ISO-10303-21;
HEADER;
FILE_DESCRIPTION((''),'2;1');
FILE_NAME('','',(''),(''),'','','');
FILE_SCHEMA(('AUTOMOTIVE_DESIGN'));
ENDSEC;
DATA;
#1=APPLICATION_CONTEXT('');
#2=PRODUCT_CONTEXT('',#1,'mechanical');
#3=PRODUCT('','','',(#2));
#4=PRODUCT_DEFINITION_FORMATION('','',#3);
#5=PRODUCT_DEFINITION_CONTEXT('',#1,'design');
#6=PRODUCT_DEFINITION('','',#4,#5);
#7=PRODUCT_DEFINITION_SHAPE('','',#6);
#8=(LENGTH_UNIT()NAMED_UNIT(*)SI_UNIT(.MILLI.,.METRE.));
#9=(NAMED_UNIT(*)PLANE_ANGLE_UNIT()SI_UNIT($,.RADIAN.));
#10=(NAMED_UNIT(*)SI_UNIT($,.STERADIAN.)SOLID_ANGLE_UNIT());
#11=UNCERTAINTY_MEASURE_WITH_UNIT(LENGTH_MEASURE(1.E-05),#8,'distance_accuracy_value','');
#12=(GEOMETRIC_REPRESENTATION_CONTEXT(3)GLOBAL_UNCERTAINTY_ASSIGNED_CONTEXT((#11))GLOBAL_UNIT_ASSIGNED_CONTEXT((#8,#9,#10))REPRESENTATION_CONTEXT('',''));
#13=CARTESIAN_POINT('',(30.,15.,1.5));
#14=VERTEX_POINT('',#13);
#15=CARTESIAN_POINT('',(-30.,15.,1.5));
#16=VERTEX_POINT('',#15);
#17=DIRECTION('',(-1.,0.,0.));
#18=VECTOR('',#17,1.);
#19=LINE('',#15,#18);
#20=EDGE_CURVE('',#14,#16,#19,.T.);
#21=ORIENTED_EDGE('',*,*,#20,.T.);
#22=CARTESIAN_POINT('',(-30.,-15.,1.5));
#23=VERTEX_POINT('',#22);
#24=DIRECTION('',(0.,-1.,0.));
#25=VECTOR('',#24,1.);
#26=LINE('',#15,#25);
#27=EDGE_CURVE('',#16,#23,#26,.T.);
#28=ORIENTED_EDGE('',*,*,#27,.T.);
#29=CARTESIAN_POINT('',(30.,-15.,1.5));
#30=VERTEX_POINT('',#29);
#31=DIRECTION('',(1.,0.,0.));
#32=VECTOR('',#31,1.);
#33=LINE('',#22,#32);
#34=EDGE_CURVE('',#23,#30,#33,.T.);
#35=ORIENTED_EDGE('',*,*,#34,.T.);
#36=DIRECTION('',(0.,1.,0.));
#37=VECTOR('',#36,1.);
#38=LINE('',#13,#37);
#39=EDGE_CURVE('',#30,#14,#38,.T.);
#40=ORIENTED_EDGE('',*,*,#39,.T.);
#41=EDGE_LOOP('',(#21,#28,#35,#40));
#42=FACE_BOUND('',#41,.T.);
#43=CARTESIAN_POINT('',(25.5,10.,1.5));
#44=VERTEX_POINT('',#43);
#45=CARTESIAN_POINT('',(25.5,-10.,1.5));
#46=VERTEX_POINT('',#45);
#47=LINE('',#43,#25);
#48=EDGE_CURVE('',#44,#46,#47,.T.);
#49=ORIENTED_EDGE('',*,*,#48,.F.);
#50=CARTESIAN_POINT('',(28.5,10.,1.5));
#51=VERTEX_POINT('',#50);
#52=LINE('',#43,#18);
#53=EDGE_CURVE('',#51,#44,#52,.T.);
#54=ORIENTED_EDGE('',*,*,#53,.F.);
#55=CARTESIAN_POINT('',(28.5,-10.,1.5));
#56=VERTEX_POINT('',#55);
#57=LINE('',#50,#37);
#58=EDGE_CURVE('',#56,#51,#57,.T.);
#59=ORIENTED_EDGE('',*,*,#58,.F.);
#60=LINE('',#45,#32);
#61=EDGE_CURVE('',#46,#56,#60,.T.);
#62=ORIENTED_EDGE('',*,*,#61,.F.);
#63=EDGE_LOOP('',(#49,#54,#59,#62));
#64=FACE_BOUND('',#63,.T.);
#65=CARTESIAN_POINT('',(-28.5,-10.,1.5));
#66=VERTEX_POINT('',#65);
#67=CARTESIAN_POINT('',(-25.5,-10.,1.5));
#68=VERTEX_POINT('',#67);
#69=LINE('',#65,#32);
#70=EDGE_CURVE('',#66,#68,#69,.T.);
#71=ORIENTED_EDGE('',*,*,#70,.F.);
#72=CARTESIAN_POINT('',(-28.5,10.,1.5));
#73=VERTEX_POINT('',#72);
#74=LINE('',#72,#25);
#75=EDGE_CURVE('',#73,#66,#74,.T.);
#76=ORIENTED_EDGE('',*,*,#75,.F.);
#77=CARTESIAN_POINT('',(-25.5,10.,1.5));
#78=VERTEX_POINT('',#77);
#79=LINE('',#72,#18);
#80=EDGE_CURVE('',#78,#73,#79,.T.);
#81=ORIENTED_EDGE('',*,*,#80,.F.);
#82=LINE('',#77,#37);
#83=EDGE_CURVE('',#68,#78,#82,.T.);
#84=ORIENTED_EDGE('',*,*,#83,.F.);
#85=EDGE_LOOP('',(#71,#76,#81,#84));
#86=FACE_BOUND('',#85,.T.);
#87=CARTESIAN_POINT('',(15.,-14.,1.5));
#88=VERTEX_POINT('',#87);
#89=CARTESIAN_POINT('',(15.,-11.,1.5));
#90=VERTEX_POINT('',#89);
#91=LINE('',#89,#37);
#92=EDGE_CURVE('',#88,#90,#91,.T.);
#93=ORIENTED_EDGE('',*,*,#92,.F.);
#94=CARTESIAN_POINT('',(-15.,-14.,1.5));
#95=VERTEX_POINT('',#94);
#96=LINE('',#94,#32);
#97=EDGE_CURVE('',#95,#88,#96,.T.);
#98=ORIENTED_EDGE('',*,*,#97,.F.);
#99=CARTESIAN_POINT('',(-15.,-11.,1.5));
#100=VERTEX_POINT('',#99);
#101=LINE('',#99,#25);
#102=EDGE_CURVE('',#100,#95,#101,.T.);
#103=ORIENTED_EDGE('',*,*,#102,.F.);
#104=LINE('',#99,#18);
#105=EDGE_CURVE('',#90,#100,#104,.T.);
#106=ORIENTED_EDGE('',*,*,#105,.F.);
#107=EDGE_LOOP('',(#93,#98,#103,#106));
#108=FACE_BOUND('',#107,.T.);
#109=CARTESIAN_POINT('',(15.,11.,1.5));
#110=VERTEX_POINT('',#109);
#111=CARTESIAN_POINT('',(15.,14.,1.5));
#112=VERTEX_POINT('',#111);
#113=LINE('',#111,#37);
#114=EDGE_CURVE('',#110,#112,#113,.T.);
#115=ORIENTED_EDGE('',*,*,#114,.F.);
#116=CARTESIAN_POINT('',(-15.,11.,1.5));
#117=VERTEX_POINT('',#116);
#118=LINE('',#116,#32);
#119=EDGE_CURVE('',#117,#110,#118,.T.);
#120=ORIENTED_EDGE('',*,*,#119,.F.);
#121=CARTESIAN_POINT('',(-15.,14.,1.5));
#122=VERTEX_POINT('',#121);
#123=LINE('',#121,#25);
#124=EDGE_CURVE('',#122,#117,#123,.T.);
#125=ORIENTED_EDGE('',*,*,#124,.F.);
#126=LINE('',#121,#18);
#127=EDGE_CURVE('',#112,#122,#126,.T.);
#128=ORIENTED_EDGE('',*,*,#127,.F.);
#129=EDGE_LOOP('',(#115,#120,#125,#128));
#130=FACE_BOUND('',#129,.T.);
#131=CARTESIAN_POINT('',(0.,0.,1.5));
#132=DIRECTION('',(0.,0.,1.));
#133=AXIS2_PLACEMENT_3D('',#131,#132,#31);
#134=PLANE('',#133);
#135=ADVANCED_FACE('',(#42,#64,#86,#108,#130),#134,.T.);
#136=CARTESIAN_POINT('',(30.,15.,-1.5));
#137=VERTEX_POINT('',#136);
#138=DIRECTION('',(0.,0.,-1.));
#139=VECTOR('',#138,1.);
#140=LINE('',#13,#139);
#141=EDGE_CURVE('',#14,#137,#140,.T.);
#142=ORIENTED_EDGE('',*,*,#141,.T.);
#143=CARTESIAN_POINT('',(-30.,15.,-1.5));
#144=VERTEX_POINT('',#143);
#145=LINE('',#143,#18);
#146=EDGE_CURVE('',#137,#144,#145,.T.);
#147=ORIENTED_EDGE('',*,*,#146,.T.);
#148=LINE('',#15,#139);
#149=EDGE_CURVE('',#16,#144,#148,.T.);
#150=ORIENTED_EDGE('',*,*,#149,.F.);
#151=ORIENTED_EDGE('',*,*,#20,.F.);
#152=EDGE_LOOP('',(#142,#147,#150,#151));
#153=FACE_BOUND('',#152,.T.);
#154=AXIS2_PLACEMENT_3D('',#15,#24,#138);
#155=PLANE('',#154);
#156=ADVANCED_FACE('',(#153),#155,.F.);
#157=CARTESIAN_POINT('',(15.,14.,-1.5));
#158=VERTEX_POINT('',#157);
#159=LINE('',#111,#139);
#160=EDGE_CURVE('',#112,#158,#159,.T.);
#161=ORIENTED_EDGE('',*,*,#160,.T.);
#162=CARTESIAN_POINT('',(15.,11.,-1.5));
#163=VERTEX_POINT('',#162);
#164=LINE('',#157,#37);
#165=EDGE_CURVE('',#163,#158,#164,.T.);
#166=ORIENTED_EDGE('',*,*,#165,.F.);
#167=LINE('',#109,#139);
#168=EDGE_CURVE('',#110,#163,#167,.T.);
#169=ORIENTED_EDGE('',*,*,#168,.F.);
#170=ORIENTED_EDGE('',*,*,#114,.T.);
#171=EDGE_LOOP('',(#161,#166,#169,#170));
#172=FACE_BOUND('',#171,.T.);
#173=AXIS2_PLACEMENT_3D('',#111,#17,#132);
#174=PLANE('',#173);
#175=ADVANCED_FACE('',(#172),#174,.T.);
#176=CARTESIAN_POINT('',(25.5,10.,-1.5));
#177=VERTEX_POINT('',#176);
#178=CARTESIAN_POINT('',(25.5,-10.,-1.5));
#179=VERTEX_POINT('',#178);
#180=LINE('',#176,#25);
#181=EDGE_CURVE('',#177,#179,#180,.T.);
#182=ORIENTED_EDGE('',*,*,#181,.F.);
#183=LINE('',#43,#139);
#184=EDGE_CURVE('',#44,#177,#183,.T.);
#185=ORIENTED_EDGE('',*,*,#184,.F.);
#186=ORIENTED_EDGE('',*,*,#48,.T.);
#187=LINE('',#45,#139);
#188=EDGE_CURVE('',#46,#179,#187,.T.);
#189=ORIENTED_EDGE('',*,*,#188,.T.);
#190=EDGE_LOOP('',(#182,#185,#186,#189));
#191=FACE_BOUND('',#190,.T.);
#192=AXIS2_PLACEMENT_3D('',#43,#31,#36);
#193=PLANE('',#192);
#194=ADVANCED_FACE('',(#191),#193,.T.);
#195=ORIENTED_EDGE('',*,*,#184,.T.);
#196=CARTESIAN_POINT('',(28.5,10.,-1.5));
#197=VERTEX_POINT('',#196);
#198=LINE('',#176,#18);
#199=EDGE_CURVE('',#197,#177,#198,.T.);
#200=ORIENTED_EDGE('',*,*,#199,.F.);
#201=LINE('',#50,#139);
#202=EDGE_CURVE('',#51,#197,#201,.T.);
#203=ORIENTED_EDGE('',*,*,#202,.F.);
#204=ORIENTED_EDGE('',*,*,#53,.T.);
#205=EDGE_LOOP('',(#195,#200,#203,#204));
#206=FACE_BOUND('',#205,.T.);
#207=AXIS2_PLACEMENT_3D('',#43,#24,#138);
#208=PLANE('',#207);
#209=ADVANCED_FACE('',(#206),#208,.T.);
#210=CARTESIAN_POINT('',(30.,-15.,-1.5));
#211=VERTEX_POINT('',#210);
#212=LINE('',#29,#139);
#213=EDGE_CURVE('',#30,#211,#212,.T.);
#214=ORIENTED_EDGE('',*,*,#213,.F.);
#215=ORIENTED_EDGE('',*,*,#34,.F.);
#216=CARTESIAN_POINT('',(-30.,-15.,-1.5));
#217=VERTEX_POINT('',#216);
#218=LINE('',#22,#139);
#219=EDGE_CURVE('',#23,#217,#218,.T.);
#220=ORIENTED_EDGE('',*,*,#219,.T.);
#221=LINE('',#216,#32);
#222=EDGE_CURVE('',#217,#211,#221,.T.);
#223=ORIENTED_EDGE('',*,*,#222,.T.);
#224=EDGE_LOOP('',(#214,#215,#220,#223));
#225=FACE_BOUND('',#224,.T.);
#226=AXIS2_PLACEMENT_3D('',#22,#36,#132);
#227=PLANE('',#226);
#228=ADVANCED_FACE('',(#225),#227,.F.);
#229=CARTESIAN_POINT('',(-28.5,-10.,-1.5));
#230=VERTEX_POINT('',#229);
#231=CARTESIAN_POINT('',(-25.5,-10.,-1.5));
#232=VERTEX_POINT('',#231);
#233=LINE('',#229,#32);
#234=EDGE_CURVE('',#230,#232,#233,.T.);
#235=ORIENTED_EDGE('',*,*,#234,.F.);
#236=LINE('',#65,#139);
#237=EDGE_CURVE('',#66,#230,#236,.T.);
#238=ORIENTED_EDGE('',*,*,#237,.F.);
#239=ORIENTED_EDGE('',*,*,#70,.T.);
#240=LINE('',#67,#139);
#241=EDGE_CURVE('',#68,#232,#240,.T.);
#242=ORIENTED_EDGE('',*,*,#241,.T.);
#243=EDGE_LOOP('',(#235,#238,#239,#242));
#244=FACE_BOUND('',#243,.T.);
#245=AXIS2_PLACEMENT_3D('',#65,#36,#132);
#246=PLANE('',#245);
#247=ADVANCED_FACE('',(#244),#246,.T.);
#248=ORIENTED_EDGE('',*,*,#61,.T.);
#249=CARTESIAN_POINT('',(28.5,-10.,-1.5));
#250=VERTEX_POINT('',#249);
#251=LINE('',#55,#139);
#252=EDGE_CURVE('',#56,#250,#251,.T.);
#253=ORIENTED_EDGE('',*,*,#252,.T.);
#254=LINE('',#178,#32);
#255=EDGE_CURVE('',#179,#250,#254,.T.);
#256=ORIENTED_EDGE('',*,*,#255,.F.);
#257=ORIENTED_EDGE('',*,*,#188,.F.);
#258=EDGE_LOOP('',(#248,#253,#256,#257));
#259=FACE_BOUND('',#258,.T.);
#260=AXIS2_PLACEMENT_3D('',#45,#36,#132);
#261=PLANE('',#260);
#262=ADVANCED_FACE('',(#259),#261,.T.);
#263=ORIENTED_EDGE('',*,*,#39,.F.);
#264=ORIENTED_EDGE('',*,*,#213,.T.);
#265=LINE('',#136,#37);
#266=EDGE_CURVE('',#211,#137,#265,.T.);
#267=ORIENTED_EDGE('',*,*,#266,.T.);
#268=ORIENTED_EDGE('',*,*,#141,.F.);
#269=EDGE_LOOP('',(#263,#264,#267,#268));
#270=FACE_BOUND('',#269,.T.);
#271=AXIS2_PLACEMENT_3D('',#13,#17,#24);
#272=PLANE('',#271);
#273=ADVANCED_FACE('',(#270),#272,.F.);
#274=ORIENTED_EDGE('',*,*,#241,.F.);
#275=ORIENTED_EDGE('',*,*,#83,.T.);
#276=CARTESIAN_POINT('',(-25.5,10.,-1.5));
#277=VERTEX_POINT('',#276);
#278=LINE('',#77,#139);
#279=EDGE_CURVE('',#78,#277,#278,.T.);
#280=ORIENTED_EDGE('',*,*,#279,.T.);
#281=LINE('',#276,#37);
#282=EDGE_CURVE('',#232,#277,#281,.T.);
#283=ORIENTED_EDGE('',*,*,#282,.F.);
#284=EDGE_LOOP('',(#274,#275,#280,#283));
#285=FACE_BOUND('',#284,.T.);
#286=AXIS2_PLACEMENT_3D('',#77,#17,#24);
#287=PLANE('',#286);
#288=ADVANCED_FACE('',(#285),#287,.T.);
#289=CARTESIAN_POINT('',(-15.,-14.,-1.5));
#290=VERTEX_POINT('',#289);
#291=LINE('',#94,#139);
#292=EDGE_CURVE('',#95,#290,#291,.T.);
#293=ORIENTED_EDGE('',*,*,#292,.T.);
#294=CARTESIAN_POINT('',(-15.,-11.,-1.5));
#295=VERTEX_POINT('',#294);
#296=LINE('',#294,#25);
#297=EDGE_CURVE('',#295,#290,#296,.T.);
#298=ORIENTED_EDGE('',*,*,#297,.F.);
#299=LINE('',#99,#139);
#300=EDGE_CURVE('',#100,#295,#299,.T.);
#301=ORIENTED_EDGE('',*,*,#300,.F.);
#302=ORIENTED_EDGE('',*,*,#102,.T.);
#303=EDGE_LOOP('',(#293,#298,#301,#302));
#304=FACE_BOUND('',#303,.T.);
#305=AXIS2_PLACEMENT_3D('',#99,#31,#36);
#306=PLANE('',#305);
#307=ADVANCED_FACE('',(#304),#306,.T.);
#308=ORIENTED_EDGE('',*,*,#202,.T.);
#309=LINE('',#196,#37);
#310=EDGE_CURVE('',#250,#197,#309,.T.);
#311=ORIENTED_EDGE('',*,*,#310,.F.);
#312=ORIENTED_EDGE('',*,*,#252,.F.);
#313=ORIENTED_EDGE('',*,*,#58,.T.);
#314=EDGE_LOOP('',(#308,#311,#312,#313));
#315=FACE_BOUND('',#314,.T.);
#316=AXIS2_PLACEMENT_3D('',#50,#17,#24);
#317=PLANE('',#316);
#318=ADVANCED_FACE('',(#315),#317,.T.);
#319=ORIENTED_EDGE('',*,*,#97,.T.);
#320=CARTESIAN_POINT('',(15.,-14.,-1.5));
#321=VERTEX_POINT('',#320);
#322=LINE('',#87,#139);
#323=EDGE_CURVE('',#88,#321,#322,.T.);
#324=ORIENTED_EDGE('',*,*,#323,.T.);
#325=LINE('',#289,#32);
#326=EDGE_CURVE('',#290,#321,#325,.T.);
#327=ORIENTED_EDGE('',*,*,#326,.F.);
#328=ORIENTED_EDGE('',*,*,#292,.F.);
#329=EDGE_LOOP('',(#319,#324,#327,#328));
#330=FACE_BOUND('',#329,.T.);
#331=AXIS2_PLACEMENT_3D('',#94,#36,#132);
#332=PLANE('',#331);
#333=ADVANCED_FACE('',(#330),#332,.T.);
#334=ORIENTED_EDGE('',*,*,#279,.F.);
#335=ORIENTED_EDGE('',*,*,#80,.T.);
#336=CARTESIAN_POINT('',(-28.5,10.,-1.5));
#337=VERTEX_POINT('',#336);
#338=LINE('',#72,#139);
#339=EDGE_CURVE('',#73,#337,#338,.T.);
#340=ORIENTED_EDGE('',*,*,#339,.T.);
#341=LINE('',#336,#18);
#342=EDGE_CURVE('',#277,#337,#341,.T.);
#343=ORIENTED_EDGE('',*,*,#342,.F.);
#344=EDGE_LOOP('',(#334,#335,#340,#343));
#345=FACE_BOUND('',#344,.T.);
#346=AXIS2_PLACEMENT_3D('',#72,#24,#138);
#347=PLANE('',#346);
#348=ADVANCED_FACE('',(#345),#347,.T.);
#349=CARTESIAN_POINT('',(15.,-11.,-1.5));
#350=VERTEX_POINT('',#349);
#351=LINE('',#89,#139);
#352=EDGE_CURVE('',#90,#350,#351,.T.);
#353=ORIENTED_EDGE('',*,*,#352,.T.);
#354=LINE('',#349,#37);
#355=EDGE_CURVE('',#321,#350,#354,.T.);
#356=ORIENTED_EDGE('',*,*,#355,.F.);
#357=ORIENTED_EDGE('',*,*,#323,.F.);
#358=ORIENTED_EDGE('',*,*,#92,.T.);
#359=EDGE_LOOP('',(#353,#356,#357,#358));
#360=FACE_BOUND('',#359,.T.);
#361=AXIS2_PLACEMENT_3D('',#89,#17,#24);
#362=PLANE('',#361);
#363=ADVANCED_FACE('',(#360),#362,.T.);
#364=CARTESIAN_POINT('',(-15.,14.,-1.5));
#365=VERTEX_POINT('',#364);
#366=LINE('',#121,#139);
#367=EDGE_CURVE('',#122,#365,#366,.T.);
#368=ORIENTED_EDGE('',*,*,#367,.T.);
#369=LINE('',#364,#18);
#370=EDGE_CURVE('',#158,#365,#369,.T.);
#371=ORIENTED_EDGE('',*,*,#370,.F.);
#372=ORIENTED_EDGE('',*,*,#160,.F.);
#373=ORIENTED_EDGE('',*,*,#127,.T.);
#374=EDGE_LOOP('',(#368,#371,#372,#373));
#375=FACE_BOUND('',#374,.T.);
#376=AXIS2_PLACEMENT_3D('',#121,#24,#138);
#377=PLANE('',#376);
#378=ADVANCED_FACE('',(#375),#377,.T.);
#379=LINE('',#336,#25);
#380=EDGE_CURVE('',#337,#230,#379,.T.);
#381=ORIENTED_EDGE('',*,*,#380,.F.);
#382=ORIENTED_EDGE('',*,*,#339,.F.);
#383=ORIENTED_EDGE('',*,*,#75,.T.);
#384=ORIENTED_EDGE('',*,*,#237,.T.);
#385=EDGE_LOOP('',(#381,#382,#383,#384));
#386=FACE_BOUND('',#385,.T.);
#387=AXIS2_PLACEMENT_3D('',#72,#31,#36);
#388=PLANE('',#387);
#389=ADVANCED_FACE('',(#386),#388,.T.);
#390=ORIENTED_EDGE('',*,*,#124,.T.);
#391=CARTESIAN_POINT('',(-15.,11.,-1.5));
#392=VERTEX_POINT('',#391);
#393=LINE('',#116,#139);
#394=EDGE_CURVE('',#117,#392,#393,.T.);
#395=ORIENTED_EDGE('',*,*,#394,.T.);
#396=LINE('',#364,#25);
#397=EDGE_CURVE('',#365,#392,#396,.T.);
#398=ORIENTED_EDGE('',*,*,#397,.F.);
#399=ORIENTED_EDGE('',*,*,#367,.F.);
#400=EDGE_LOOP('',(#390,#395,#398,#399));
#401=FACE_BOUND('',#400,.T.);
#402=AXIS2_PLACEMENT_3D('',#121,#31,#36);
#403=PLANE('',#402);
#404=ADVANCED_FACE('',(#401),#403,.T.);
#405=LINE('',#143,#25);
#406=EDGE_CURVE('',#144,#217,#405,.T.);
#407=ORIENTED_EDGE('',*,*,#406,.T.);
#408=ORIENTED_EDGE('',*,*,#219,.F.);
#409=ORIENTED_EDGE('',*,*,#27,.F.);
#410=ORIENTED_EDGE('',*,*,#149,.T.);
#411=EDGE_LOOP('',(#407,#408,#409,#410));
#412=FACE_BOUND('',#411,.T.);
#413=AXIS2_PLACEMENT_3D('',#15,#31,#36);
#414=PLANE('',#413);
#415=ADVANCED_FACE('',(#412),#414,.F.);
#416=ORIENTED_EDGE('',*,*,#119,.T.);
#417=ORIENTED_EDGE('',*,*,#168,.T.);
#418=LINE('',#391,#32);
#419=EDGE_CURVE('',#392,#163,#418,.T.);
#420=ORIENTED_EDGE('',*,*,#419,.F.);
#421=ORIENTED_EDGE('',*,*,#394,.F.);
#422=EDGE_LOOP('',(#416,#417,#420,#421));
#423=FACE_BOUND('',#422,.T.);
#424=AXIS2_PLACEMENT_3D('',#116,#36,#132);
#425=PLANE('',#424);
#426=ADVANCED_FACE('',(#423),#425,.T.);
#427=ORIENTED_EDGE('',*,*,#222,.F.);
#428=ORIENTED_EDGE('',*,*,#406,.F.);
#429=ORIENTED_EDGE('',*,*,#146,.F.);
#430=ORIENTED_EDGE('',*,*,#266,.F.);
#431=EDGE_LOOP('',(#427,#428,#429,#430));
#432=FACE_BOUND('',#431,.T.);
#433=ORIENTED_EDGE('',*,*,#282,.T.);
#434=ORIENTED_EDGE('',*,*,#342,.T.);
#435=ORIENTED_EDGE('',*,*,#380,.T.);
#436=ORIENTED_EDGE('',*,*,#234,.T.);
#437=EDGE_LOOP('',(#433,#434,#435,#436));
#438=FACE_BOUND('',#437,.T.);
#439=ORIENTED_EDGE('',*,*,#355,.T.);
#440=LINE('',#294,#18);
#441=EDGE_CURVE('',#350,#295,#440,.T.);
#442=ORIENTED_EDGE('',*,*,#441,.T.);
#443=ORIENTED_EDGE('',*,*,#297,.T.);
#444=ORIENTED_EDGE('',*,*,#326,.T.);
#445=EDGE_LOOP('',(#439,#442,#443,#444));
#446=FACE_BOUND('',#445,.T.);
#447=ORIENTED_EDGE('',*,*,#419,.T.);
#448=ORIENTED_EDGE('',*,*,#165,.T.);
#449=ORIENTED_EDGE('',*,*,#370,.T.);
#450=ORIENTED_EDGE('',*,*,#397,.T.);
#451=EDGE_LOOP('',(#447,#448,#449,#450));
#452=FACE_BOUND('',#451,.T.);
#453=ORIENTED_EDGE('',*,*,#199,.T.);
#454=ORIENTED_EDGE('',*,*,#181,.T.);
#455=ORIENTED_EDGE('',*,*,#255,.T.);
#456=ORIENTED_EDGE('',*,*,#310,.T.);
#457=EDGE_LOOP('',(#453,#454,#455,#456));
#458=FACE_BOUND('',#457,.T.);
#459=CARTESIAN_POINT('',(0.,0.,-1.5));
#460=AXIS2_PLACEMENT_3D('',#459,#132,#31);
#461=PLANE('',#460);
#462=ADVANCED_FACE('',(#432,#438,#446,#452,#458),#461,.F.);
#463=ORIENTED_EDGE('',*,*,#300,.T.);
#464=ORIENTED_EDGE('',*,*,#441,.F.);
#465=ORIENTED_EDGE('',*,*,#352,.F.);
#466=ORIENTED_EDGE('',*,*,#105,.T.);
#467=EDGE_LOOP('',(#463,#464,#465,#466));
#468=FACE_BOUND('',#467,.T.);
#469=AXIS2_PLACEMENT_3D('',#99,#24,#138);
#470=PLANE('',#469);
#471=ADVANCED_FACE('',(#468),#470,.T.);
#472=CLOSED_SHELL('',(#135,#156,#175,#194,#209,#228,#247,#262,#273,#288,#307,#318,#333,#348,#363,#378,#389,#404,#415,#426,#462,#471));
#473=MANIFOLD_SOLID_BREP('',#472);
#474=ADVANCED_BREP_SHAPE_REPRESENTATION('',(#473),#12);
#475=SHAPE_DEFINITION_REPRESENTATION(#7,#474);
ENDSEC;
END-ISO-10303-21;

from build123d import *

# Parameters (mm, degrees)
SKETCH1_W           = 60
SKETCH1_H           = 30
SKETCH1_W_2         = 3
SKETCH1_H_2         = 20
SKETCH1_W_3         = 30
SKETCH1_H_3         = 3
BOSS_EXTRUDE1_DEPTH = 1.5


with BuildPart() as part:
    # Sketch1 → Boss-Extrude1 (new body, symmetric)
    with BuildSketch(Plane.XY):
        Rectangle(SKETCH1_W, SKETCH1_H)
        with Locations((-27, 0)):
            Rectangle(SKETCH1_W_2, SKETCH1_H_2, mode=Mode.SUBTRACT)
        with Locations((27, 0)):
            Rectangle(SKETCH1_W_2, SKETCH1_H_2, mode=Mode.SUBTRACT)
        with Locations((0, 12.5)):
            Rectangle(SKETCH1_W_3, SKETCH1_H_3, mode=Mode.SUBTRACT)
        with Locations((0, -12.5)):
            Rectangle(SKETCH1_W_3, SKETCH1_H_3, mode=Mode.SUBTRACT)
    extrude(amount=BOSS_EXTRUDE1_DEPTH, both=True)


solid = part.part
